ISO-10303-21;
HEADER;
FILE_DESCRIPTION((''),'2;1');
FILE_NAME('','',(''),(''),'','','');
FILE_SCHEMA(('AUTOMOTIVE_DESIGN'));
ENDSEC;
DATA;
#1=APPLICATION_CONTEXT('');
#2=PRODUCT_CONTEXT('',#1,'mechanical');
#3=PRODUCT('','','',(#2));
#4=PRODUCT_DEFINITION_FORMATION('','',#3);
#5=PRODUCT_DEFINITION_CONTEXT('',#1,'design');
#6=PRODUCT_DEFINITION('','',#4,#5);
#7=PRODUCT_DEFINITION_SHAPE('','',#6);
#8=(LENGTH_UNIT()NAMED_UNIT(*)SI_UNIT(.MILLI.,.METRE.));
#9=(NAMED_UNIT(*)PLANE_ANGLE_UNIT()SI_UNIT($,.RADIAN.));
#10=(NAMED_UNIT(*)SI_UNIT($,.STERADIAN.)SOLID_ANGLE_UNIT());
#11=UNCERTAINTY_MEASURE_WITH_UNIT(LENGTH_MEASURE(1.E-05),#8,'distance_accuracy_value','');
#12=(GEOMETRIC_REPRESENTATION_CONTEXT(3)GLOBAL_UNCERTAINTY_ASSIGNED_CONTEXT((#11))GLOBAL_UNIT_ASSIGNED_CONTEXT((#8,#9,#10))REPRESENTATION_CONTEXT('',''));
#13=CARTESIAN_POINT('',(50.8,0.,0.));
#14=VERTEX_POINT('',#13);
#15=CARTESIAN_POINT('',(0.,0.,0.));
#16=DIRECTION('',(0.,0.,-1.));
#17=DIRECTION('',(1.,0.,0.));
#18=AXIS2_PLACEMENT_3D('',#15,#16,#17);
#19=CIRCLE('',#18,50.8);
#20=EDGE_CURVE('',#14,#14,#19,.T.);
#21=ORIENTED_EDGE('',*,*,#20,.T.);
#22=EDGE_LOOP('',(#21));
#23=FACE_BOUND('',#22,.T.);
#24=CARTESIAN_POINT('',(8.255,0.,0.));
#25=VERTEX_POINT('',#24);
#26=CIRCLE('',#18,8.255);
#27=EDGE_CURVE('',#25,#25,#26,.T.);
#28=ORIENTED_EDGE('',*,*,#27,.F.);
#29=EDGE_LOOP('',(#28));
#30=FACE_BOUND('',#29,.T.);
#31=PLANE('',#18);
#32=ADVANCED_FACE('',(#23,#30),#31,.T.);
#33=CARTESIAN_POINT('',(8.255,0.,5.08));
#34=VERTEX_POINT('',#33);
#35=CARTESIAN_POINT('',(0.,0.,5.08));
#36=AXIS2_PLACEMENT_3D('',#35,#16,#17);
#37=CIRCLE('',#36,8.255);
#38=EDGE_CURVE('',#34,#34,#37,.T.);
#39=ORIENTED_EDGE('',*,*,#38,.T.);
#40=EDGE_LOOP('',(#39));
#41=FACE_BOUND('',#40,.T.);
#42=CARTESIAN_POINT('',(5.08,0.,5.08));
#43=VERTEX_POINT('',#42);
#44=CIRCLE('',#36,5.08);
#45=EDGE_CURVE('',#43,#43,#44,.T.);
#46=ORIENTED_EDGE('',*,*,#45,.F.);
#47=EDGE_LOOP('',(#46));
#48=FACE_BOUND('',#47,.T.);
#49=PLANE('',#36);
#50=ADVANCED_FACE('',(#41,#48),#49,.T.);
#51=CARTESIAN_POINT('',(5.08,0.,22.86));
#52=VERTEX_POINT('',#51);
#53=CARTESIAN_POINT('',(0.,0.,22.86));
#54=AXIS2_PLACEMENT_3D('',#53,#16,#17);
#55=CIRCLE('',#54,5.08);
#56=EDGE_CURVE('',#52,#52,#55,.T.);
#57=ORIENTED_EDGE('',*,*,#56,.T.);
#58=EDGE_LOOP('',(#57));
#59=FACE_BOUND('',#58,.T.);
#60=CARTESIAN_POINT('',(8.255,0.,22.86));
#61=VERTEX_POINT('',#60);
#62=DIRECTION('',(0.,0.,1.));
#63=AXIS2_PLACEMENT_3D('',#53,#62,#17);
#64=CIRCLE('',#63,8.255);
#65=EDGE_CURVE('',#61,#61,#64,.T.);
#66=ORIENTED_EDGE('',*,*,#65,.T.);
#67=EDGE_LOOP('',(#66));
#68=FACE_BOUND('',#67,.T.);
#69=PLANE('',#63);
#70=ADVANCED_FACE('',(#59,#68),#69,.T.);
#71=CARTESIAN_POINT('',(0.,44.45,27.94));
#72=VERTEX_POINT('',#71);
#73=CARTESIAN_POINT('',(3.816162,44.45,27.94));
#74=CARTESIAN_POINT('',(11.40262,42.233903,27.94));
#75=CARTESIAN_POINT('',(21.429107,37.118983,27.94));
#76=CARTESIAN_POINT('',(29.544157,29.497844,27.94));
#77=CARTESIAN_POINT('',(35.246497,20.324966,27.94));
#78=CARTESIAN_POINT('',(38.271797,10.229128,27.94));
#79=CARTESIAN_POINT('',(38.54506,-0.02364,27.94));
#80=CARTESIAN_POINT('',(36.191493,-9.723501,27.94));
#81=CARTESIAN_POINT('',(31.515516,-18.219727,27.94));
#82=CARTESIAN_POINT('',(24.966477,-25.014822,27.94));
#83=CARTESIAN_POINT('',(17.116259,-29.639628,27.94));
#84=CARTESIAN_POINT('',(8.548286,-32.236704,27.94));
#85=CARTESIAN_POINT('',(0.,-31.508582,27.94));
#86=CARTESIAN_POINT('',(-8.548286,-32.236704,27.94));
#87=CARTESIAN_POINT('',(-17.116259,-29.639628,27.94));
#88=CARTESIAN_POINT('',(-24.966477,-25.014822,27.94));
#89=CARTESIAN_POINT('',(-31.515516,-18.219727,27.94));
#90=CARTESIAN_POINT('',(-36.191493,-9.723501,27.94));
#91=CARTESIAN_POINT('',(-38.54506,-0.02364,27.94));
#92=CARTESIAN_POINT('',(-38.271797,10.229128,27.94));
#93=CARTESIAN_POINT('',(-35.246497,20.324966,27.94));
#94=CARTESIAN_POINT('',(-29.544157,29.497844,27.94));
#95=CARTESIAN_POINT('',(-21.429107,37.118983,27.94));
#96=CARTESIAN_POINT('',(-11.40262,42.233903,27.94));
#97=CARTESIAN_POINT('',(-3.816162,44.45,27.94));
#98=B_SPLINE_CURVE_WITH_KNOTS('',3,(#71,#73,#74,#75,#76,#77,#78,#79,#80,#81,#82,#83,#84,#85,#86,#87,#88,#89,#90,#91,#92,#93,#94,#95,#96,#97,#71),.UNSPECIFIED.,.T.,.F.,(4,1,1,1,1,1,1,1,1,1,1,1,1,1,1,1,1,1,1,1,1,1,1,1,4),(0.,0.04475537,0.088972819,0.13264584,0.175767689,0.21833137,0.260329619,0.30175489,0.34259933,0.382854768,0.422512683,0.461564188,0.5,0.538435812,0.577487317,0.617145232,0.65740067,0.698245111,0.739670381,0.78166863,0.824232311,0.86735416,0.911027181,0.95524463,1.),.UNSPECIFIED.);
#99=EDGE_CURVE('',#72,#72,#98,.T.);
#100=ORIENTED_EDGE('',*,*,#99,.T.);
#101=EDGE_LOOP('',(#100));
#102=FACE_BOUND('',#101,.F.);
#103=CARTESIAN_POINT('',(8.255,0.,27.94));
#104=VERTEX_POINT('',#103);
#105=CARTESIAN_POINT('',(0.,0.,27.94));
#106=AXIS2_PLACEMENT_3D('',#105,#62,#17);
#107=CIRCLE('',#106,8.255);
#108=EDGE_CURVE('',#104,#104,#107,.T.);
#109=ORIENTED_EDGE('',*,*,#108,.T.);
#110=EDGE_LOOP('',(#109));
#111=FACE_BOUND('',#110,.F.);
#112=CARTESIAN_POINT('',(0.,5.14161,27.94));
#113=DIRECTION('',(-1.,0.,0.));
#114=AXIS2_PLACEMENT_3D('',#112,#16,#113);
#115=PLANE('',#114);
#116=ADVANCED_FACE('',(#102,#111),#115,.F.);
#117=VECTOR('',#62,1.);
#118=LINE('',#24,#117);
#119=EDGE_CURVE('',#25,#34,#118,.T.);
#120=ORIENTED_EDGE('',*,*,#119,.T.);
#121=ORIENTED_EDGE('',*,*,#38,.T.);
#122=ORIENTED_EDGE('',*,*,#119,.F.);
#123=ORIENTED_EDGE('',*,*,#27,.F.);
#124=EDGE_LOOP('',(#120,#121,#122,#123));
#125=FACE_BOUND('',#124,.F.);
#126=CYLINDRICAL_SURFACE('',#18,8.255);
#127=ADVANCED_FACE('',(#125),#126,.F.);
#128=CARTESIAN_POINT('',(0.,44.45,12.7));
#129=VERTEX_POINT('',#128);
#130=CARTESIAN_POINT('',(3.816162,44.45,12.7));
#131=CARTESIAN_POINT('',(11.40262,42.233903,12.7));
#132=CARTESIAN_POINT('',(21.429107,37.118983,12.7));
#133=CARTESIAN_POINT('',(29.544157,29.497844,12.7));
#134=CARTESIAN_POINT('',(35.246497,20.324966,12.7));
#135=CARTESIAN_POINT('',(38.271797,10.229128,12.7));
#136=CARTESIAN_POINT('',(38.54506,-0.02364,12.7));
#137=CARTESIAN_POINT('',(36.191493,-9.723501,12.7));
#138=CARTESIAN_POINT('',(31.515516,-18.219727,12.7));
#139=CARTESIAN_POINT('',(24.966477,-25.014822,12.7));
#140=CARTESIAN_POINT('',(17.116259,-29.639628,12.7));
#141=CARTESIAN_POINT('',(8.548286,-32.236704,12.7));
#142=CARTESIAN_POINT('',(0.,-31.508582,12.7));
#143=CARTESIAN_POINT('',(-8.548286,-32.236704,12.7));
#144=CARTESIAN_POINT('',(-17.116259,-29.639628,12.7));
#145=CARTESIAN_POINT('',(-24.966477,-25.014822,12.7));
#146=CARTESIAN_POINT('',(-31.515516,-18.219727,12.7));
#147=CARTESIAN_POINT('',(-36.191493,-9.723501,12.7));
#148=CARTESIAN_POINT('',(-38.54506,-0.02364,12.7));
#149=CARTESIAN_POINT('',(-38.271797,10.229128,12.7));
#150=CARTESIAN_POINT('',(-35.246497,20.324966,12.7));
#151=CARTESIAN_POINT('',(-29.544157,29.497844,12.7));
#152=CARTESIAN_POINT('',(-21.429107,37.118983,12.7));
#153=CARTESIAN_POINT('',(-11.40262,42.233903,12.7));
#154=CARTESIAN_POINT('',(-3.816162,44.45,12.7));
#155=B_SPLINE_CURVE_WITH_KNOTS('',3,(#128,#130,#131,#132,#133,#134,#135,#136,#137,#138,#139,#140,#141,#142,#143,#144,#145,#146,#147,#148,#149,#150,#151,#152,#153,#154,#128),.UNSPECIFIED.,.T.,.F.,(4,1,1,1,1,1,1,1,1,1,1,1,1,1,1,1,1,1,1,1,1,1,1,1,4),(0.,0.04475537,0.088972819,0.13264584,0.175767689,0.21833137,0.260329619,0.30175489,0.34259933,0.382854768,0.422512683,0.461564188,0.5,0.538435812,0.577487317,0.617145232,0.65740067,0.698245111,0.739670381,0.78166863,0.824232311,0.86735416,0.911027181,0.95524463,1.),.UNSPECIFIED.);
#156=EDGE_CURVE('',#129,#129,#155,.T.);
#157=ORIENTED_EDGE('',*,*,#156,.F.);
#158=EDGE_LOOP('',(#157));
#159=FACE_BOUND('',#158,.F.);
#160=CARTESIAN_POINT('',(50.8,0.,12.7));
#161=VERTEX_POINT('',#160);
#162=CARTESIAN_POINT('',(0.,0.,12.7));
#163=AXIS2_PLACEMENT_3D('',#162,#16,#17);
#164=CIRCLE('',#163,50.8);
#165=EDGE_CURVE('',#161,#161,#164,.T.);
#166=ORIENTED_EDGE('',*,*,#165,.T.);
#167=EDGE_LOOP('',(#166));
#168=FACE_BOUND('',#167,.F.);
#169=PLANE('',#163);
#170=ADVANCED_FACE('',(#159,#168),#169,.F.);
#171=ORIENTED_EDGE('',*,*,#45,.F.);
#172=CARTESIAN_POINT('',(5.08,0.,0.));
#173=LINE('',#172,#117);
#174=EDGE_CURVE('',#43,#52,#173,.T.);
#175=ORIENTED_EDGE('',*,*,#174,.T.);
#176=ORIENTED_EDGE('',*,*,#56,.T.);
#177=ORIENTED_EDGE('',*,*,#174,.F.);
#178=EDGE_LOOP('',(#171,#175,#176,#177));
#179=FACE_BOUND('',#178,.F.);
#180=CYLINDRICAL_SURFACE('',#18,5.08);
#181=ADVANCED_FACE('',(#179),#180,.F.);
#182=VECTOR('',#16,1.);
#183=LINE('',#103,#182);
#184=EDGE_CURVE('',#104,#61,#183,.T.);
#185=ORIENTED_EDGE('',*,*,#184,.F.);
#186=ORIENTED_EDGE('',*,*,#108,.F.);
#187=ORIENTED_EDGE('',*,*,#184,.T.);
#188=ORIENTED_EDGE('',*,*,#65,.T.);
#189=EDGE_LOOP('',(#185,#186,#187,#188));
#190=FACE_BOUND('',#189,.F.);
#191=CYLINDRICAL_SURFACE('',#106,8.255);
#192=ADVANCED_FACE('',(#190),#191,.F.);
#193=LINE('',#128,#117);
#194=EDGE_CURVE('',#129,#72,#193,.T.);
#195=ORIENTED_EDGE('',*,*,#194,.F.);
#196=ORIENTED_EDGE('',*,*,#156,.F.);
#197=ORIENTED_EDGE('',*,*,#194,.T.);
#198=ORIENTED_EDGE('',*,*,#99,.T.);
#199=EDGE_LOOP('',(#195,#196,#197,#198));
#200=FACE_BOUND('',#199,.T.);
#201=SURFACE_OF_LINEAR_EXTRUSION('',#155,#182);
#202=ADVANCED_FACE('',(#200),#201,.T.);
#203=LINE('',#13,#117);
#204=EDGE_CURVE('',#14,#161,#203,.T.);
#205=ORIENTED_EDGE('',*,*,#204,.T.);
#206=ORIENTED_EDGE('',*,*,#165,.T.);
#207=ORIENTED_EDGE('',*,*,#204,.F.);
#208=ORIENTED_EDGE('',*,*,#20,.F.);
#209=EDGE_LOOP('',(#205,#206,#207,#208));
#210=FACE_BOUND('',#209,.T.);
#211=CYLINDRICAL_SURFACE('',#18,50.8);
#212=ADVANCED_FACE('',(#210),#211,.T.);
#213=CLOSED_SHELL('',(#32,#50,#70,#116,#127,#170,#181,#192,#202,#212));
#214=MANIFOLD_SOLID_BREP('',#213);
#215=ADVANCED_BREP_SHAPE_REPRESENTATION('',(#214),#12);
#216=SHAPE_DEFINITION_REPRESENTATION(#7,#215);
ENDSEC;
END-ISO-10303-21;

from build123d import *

# Parameters (mm, degrees)
F0_R      = 44.45
F1_DEPTH  = 12.7
F5_DEPTH  = 15.24
F6_R      = 5.08
F7_DEPTH  = 27.9410001
F8_R      = 50.8
F8_R_2    = 44.45
F9_DEPTH  = 12.7
F10_R     = 8.255
F11_DEPTH = 5.08
F12_R     = 8.255
F13_DEPTH = 5.08


with BuildPart() as f1:
    # F0 (on Top) → F1 (new body)
    with BuildSketch(Plane.XY):
        Circle(F0_R)
    extrude(amount=F1_DEPTH)

    # F4 (on face) → F5 (join)
    with BuildSketch(Plane.XY.offset(12.7)):
        with BuildLine():
            add(Edge.make_bspline(
                [(0, 44.45), (3.8161622768, 44.45), (11.4026198726, 42.2339028191), (21.4291073523, 37.118983182), (29.5441568439, 29.4978435068), (35.2464971495, 20.3249657359), (38.2717968038, 10.2291283802), (38.5450602767, -0.0236397411), (36.1914928493, -9.7235011377), (31.5155163655, -18.2197270955), (24.9664771709, -25.01482225), (17.1162591598, -29.6396275034), (8.5482860936, -32.2367039327), (0, -31.508581644), (-8.5482860936, -32.2367039327), (-17.1162591598, -29.6396275034), (-24.9664771709, -25.01482225), (-31.5155163655, -18.2197270955), (-36.1914928493, -9.7235011377), (-38.5450602767, -0.0236397411), (-38.2717968038, 10.2291283802), (-35.2464971495, 20.3249657359), (-29.5441568439, 29.4978435068), (-21.4291073523, 37.118983182), (-11.4026198726, 42.2339028191), (-3.8161622768, 44.45), (0, 44.45)],
                knots=[0, 0, 0, 0, 0.0447553696, 0.0889728186, 0.1326458397, 0.1757676888, 0.2183313697, 0.2603296192, 0.3017548895, 0.3425993302, 0.3828547676, 0.422512683, 0.4615641884, 0.5, 0.5384358116, 0.577487317, 0.6171452324, 0.6574006698, 0.6982451105, 0.7396703808, 0.7816686303, 0.8242323112, 0.8673541603, 0.9110271814, 0.9552446304, 1, 1, 1, 1], degree=3))
        make_face()
    extrude(amount=F5_DEPTH)

    # F6 (on face) → F7 (cut, through all)
    with BuildSketch(Plane(origin=(0, 0, 0), x_dir=(1, 0, 0), z_dir=(0, 0, -1))):
        Circle(F6_R)
    extrude(amount=-F7_DEPTH, mode=Mode.SUBTRACT)

    # F8 (on face) → F9 (join, through all)
    with BuildSketch(Plane(origin=(0, 0, 0), x_dir=(1, 0, 0), z_dir=(0, 0, -1))):
        Circle(F8_R)
        Circle(F8_R_2, mode=Mode.SUBTRACT)
    extrude(amount=-F9_DEPTH)

    # F10 (on face) → F11 (cut)
    with BuildSketch(Plane(origin=(0, 0, 0), x_dir=(1, 0, 0), z_dir=(0, 0, -1))):
        Circle(F10_R)
    extrude(amount=-F11_DEPTH, mode=Mode.SUBTRACT)

    # F12 (on face) → F13 (cut)
    with BuildSketch(Plane.XY.offset(27.94)):
        Circle(F12_R)
    extrude(amount=-F13_DEPTH, mode=Mode.SUBTRACT)


solid = f1.part
